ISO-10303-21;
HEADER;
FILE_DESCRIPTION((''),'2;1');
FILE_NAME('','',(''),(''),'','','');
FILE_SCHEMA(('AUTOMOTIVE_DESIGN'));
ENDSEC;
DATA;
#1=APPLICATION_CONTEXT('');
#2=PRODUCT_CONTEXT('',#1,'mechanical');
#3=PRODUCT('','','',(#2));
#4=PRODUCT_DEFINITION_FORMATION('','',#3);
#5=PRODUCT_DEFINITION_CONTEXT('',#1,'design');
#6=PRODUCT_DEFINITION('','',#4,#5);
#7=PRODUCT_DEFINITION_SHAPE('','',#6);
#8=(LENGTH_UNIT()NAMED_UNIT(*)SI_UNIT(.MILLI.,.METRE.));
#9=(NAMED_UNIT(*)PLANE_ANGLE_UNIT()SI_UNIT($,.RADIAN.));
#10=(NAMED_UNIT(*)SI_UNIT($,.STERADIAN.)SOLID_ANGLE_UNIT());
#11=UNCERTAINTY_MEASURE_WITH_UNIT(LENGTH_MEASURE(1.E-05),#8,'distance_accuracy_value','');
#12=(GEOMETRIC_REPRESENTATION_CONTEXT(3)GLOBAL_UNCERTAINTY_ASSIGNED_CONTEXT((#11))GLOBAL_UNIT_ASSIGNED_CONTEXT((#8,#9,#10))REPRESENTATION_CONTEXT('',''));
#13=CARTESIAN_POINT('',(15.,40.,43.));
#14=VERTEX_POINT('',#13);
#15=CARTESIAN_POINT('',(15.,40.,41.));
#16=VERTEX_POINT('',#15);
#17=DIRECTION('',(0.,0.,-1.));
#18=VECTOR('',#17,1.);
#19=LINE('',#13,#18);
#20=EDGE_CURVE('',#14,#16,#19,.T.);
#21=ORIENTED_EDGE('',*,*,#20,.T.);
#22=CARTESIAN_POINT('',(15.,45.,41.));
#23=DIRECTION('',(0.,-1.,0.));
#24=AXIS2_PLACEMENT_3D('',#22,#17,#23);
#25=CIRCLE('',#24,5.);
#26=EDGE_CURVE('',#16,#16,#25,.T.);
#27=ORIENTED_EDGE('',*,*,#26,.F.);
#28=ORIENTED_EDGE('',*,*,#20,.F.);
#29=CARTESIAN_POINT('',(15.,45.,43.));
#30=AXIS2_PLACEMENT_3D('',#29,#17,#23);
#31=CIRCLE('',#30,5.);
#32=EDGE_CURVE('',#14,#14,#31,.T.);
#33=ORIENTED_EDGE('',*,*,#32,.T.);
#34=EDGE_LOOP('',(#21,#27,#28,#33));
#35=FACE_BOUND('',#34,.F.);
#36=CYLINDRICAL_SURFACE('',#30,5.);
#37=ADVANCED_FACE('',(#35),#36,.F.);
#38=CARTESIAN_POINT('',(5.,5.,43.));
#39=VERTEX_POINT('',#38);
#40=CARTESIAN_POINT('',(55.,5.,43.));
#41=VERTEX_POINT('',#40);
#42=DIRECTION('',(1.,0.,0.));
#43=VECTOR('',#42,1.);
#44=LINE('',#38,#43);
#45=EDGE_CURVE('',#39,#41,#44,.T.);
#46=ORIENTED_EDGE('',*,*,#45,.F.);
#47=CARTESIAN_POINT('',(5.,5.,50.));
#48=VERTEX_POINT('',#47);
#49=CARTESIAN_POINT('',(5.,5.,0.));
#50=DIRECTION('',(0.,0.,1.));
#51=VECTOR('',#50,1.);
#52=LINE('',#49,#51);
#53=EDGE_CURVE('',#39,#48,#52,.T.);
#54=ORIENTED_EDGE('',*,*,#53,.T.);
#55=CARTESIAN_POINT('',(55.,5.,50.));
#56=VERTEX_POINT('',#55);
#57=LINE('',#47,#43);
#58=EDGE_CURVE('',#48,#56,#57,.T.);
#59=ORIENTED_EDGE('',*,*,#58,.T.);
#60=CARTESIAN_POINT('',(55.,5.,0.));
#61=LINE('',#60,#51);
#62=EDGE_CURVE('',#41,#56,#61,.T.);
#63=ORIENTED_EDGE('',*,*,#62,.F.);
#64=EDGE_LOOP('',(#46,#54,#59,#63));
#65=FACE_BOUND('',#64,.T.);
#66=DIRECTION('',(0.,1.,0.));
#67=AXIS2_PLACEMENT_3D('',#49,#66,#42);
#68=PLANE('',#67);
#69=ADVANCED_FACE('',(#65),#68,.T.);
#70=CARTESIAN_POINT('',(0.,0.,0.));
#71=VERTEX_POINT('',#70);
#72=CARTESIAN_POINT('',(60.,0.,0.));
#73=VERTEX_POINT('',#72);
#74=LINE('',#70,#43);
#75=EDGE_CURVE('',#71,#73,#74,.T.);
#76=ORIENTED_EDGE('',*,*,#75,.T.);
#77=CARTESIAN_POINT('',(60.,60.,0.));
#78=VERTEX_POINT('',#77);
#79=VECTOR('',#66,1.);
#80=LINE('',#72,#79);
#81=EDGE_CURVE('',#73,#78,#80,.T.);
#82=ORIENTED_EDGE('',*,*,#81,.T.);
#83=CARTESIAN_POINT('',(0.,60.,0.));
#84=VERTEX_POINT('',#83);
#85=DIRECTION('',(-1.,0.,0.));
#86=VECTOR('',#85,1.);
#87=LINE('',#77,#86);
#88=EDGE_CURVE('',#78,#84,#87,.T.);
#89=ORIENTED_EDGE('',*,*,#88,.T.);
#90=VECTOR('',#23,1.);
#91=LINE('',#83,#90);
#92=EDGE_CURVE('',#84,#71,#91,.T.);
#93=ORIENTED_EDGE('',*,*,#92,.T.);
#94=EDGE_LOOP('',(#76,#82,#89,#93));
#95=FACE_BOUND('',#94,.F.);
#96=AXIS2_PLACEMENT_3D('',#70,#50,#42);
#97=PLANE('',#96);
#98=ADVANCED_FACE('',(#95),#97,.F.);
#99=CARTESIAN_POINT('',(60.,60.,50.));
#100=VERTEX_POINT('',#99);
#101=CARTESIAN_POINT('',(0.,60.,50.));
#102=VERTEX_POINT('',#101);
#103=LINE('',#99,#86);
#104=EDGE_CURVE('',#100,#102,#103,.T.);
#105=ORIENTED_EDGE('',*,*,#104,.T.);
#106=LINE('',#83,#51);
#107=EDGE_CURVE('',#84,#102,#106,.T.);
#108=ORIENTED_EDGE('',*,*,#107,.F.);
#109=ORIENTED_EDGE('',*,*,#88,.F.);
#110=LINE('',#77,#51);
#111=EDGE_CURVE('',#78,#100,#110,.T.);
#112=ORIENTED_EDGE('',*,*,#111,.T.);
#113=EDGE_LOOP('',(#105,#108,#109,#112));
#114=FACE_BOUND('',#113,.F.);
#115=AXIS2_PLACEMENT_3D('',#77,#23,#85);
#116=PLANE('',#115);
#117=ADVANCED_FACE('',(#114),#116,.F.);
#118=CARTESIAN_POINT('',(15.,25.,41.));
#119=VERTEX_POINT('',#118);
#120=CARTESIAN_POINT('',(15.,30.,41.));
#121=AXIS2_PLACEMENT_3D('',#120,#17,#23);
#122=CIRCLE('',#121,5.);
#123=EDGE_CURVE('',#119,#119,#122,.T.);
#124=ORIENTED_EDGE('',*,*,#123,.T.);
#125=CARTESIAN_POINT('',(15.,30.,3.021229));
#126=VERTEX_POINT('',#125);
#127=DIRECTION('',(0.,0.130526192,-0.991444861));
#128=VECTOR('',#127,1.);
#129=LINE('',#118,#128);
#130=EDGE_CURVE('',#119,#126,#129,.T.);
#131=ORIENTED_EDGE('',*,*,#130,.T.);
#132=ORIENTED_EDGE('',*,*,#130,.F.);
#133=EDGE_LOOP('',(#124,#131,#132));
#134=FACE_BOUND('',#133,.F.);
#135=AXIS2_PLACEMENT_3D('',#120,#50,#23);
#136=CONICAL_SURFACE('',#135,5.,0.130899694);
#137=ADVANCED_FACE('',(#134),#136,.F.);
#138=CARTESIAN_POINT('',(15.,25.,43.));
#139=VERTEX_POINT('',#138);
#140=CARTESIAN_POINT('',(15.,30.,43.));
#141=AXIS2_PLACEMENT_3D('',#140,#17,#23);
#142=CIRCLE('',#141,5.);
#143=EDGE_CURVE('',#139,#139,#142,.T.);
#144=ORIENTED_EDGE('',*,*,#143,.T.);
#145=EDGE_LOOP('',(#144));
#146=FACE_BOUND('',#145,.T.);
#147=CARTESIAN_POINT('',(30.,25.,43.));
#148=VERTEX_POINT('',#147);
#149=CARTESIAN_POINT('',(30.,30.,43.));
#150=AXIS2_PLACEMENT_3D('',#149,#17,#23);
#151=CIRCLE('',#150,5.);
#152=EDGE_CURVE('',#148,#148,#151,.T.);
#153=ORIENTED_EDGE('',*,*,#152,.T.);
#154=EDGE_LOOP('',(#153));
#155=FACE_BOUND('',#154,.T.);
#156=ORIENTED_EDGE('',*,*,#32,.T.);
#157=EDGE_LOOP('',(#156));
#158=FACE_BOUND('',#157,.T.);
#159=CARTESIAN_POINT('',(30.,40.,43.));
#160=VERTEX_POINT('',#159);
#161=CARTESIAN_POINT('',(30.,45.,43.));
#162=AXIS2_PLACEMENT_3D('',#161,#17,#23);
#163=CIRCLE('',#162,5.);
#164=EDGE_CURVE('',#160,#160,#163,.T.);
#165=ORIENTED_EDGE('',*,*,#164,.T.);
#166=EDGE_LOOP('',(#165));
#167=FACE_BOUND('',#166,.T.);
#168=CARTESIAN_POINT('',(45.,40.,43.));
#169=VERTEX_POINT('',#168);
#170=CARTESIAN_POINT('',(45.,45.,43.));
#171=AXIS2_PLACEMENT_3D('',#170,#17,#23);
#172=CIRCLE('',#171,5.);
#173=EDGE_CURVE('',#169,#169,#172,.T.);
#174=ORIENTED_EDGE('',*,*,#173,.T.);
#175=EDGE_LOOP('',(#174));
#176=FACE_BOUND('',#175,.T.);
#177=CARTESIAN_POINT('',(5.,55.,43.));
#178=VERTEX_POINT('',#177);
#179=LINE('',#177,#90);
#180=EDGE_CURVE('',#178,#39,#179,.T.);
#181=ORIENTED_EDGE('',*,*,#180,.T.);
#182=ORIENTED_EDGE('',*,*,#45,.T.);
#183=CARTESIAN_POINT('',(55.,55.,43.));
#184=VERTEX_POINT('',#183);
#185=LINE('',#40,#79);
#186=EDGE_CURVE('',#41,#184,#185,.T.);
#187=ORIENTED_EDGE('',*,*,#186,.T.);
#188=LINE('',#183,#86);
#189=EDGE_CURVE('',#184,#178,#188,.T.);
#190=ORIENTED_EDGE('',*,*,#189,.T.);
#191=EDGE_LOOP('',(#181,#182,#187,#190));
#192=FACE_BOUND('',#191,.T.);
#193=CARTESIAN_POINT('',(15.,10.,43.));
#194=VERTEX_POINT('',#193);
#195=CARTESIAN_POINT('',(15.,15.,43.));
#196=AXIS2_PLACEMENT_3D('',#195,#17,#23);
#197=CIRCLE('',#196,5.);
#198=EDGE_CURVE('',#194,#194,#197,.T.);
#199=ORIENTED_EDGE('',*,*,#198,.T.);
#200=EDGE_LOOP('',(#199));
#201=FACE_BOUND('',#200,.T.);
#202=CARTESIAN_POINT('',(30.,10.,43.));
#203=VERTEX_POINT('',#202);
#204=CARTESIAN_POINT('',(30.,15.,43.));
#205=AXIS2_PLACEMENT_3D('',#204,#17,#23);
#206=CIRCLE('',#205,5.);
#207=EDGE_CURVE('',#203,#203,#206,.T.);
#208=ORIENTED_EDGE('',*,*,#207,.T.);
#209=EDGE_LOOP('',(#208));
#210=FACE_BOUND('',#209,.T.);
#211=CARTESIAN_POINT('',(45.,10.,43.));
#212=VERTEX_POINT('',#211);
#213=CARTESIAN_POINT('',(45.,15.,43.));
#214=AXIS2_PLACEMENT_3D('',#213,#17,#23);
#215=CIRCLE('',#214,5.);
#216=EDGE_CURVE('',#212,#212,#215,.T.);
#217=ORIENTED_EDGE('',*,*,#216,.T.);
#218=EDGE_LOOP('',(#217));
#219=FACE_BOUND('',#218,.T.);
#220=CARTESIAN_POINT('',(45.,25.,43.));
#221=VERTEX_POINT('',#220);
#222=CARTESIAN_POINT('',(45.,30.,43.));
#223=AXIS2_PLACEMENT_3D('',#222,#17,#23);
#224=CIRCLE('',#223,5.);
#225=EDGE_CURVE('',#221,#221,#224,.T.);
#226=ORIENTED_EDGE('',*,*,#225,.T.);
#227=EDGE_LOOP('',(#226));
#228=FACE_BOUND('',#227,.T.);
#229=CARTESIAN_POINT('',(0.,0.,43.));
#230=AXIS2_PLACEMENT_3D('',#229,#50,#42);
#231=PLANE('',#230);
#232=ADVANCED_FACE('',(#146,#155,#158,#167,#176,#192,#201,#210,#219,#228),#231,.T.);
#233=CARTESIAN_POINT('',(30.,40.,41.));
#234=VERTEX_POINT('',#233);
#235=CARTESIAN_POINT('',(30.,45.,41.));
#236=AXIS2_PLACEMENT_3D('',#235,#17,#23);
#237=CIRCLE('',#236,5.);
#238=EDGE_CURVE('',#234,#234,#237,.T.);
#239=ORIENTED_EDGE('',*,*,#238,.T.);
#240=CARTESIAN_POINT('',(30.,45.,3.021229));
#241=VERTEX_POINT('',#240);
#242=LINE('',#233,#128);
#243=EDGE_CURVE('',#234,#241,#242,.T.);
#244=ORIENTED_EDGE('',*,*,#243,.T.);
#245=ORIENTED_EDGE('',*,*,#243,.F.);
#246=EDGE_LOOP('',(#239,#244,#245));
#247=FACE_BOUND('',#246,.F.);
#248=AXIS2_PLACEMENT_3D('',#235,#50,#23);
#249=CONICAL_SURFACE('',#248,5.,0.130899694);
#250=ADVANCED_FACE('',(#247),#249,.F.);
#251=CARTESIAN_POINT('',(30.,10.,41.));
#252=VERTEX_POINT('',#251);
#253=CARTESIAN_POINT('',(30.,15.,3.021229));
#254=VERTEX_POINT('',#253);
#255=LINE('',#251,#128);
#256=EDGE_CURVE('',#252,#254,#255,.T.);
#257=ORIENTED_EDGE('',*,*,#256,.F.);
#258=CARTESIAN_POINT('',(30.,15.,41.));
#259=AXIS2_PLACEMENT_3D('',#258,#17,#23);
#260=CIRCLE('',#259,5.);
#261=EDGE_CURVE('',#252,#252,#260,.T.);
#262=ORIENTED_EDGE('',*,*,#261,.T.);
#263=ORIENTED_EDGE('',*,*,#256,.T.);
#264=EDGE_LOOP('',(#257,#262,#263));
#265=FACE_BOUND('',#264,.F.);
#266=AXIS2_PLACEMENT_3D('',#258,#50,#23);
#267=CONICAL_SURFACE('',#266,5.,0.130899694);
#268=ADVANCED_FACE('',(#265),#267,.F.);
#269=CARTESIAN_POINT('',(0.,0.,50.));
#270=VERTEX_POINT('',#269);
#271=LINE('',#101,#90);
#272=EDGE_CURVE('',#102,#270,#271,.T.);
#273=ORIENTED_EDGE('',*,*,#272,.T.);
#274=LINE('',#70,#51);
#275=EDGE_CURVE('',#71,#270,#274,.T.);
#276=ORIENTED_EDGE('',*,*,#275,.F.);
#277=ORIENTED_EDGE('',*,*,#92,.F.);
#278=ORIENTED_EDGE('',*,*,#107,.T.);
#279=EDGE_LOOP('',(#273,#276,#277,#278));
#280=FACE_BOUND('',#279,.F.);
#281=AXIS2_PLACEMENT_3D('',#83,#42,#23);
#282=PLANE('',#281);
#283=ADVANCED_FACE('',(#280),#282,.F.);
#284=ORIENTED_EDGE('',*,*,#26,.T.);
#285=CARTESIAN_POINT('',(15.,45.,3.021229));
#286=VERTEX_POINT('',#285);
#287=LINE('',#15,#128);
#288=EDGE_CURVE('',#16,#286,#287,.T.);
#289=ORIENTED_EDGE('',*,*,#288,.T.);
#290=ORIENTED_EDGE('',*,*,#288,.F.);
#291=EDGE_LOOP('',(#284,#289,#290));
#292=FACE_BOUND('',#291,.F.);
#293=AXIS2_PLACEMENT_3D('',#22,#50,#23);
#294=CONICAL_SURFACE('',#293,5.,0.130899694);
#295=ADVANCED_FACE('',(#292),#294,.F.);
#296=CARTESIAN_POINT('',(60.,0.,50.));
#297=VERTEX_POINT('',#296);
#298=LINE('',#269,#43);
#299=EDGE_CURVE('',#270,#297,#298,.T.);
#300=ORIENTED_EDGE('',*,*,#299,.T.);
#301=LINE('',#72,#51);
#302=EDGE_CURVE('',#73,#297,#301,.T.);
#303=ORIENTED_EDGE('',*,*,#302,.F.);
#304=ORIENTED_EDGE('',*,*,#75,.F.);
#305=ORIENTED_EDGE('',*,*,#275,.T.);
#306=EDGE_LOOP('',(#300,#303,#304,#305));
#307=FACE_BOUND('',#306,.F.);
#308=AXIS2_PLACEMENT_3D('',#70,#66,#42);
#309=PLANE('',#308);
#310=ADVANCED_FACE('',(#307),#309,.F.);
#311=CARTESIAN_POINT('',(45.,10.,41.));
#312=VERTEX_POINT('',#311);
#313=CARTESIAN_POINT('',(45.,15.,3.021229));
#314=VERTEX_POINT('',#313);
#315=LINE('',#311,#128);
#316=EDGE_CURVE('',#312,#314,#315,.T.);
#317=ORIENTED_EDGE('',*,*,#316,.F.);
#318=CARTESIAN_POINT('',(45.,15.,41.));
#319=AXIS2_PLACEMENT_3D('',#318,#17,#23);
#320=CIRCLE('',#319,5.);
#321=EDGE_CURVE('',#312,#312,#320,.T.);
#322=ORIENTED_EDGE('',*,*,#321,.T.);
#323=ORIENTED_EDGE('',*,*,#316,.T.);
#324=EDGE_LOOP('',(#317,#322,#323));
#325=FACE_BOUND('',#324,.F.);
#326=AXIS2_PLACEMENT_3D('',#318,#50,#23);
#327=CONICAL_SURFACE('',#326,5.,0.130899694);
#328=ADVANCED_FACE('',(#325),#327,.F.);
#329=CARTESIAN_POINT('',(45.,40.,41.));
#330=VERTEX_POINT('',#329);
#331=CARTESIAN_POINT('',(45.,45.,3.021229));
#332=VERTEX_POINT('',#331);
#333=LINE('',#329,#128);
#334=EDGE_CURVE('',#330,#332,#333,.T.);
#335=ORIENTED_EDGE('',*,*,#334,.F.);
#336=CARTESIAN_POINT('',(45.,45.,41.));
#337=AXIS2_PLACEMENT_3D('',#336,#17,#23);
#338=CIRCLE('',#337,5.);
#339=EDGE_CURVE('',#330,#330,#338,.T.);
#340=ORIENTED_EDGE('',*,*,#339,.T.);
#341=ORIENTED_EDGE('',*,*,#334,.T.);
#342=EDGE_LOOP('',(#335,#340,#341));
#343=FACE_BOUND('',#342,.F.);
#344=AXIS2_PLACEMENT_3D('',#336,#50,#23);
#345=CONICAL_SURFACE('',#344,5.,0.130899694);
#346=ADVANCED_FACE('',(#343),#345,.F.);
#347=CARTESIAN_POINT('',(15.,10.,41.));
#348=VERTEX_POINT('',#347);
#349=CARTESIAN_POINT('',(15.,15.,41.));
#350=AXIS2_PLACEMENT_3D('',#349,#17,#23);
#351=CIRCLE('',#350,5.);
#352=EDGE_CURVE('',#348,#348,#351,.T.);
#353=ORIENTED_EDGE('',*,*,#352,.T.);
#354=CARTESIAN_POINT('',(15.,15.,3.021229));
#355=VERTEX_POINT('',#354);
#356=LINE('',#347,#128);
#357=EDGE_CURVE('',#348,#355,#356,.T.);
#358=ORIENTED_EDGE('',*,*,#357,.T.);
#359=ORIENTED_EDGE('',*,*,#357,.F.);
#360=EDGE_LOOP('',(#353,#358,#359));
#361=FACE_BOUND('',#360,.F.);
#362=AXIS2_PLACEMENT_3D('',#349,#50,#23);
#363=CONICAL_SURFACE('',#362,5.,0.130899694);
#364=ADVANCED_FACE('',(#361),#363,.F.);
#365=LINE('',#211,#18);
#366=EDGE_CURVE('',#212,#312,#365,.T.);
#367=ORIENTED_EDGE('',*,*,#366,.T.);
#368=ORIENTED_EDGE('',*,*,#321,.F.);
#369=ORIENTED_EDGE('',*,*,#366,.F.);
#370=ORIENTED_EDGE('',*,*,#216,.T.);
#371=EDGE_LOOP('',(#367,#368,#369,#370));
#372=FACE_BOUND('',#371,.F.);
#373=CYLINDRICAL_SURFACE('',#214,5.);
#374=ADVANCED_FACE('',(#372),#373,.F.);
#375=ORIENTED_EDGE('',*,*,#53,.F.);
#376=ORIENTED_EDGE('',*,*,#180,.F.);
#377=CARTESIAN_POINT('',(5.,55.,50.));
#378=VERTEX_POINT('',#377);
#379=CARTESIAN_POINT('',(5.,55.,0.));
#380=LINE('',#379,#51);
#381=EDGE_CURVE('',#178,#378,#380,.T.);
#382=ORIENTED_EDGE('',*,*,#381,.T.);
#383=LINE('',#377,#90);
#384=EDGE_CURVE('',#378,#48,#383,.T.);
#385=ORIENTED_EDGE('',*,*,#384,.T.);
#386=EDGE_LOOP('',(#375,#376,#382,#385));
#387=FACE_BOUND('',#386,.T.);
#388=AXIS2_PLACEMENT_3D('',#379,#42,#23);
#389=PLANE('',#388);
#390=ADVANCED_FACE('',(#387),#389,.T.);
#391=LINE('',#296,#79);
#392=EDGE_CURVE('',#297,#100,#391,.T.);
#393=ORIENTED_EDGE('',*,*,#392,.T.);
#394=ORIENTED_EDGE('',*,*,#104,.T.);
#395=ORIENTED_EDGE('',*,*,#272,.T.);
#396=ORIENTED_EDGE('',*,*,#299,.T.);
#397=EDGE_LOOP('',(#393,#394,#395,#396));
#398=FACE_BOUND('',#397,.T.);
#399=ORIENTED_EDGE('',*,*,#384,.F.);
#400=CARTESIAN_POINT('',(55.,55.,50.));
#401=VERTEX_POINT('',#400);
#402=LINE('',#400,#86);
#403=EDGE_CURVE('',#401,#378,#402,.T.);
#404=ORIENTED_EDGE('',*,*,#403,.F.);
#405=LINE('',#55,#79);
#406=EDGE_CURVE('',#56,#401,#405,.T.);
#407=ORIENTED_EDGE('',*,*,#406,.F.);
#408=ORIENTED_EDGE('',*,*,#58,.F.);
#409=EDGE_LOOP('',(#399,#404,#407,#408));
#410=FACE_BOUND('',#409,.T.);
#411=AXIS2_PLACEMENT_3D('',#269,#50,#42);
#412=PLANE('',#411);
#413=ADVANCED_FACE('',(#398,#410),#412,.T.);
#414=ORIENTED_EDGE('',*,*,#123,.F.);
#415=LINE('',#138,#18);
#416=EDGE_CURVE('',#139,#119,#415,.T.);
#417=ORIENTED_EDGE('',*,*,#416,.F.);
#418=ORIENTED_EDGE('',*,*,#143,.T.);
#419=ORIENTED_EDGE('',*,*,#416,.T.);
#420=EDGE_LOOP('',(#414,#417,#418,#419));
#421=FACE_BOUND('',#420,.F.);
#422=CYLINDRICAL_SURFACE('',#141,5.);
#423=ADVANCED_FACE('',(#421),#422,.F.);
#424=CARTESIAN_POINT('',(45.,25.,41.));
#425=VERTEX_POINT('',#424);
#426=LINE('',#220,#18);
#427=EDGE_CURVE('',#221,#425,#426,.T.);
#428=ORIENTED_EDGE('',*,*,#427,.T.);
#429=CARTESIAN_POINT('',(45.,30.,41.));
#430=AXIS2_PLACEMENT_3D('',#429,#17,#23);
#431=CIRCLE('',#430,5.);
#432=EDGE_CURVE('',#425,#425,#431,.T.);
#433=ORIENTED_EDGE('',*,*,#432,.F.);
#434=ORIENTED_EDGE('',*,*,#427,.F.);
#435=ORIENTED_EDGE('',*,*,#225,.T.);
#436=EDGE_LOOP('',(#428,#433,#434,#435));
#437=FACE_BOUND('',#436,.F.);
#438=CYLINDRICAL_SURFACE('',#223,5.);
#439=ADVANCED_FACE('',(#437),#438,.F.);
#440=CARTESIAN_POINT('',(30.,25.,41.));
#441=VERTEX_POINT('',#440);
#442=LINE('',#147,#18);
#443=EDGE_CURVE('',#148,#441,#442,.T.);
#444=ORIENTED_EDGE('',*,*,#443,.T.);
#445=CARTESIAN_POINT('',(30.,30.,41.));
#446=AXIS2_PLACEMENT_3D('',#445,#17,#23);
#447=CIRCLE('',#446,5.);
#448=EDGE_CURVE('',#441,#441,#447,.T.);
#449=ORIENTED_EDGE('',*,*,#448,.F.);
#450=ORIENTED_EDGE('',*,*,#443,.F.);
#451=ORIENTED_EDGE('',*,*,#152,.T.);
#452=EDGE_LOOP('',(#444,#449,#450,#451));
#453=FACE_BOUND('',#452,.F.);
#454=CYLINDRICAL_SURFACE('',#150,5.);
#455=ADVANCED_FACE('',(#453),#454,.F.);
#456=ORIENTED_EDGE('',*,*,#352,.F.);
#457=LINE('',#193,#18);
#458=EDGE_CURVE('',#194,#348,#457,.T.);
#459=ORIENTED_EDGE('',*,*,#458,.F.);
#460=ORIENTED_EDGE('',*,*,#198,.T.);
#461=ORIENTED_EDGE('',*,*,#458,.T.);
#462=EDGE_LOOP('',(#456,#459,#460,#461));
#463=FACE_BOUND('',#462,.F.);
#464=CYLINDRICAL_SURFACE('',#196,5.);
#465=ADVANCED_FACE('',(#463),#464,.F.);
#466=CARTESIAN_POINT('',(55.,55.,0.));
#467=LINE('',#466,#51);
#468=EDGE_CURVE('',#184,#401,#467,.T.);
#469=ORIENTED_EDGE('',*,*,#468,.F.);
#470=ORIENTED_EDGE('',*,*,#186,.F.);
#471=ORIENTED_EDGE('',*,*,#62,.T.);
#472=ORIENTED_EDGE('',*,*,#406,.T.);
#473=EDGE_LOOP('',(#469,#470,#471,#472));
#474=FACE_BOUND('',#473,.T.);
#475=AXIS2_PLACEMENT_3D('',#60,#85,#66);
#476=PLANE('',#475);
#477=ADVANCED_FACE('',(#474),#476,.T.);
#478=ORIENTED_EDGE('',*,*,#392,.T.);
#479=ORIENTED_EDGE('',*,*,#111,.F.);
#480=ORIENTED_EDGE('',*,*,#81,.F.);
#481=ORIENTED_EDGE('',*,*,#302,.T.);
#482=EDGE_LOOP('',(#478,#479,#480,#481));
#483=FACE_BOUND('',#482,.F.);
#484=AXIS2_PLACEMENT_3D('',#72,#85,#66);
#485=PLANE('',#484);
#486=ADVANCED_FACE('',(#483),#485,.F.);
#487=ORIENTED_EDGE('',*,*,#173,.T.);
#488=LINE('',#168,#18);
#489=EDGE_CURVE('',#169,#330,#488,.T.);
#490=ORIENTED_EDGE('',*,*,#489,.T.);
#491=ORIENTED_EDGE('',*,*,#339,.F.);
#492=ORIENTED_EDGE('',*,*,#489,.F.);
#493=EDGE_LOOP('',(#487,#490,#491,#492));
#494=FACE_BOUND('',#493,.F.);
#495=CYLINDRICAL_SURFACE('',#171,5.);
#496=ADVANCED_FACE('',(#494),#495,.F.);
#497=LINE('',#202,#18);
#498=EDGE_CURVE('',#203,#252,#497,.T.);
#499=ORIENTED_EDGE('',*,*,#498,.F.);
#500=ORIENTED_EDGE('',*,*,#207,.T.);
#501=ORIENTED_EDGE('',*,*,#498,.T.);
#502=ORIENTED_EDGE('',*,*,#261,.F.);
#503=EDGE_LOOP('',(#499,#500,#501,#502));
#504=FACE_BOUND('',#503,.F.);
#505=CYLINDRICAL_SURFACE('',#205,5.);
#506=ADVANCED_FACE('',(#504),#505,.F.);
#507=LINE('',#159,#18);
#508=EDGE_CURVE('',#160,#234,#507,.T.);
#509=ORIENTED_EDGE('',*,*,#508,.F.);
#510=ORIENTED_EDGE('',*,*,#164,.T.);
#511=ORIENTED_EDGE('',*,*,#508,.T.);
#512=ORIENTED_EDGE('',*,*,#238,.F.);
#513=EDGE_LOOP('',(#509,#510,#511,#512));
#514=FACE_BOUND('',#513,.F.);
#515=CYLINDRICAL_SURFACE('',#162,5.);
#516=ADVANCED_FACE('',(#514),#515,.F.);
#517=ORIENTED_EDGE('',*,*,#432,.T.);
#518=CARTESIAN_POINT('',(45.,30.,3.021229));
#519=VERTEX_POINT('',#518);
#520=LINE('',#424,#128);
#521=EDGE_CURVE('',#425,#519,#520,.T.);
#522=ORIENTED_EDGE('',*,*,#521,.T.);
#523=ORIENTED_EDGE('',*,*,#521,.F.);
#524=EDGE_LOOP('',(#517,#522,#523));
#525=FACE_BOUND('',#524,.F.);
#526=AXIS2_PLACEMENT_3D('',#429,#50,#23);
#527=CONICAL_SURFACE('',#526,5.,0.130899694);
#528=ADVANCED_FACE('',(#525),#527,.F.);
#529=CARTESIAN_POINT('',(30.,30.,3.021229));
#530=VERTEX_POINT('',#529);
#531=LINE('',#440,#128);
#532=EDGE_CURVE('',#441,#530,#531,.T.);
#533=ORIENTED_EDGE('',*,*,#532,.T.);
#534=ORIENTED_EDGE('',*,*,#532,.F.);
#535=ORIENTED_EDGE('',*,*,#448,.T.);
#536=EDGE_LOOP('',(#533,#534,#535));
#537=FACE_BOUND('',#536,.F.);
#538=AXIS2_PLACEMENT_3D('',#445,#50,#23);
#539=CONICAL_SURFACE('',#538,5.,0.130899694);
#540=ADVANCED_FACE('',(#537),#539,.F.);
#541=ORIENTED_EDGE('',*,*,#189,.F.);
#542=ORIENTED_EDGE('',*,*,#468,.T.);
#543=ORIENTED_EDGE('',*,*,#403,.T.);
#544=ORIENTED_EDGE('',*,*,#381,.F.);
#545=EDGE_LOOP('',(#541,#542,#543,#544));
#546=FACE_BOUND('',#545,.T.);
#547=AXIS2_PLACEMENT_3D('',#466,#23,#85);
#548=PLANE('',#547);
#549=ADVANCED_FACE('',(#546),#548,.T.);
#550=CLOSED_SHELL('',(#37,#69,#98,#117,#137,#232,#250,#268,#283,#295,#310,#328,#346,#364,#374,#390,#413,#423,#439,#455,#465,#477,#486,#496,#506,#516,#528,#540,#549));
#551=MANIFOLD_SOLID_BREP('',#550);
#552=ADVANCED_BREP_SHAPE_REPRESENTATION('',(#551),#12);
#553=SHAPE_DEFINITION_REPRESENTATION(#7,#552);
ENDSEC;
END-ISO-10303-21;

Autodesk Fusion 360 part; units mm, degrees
sketch "Sketch1" plane through (0, 0, 0) normal (0, 0, 1) x (1, 0, 0)
  line L0 (0, 0) -> (60, 0)
  line L1 (60, 0) -> (60, 60)
  line L2 (60, 60) -> (0, 60)
  line L3 (0, 60) -> (0, 0)
  line L4 (5, 5) -> (55, 5)
  line L5 (55, 5) -> (55, 55)
  line L6 (55, 55) -> (5, 55)
  line L7 (5, 55) -> (5, 5)
  dimension "d1" = 60
  dimension "d2" = 60
extrude "Extrude1" add sketch "Sketch1" along normal blind 50
extrude "Extrude2" add sketch "Sketch1" along normal blind 43 contours L4 L5 L6 L7
sketch "Sketch2" plane through (0, 0, 43) normal (0, 0, 1) x (-1, 0, 0)
  line L0 (-5, -55) -> (-5, -5)
  line L1 (-5, -5) -> (-55, -5)
  line L2 (-55, -5) -> (-55, -55)
  line L3 (-55, -55) -> (-5, -55)
  circle A0 centre (-15, -45) radius 5
  circle A1 centre (-30, -45) radius 5
  circle A2 centre (-45, -45) radius 5
  circle A3 centre (-15, -30) radius 5
  circle A4 centre (-30, -30) radius 5
  circle A5 centre (-45, -30) radius 5
  circle A6 centre (-15, -15) radius 5
  circle A7 centre (-30, -15) radius 5
  circle A8 centre (-45, -15) radius 5
  dimension "d7" = 10
  dimension "d8" = 10
  dimension "d9" = 10
  dimension "d10" = 10
  dimension "d11" = 10
  dimension "d12" = 10
  dimension "d13" = 10
  dimension "d14" = 10
  dimension "d15" = 10
hole "Hole1" at (45, 45, 43) at (45, 30, 43) at (45, 15, 43) at (30, 15, 43) at (30, 30, 43) at (30, 45, 43) at (15, 45, 43) at (15, 30, 43) at (15, 15, 43) direction (0, 0, -1) diameter 10 depth 2 tip angle 15
